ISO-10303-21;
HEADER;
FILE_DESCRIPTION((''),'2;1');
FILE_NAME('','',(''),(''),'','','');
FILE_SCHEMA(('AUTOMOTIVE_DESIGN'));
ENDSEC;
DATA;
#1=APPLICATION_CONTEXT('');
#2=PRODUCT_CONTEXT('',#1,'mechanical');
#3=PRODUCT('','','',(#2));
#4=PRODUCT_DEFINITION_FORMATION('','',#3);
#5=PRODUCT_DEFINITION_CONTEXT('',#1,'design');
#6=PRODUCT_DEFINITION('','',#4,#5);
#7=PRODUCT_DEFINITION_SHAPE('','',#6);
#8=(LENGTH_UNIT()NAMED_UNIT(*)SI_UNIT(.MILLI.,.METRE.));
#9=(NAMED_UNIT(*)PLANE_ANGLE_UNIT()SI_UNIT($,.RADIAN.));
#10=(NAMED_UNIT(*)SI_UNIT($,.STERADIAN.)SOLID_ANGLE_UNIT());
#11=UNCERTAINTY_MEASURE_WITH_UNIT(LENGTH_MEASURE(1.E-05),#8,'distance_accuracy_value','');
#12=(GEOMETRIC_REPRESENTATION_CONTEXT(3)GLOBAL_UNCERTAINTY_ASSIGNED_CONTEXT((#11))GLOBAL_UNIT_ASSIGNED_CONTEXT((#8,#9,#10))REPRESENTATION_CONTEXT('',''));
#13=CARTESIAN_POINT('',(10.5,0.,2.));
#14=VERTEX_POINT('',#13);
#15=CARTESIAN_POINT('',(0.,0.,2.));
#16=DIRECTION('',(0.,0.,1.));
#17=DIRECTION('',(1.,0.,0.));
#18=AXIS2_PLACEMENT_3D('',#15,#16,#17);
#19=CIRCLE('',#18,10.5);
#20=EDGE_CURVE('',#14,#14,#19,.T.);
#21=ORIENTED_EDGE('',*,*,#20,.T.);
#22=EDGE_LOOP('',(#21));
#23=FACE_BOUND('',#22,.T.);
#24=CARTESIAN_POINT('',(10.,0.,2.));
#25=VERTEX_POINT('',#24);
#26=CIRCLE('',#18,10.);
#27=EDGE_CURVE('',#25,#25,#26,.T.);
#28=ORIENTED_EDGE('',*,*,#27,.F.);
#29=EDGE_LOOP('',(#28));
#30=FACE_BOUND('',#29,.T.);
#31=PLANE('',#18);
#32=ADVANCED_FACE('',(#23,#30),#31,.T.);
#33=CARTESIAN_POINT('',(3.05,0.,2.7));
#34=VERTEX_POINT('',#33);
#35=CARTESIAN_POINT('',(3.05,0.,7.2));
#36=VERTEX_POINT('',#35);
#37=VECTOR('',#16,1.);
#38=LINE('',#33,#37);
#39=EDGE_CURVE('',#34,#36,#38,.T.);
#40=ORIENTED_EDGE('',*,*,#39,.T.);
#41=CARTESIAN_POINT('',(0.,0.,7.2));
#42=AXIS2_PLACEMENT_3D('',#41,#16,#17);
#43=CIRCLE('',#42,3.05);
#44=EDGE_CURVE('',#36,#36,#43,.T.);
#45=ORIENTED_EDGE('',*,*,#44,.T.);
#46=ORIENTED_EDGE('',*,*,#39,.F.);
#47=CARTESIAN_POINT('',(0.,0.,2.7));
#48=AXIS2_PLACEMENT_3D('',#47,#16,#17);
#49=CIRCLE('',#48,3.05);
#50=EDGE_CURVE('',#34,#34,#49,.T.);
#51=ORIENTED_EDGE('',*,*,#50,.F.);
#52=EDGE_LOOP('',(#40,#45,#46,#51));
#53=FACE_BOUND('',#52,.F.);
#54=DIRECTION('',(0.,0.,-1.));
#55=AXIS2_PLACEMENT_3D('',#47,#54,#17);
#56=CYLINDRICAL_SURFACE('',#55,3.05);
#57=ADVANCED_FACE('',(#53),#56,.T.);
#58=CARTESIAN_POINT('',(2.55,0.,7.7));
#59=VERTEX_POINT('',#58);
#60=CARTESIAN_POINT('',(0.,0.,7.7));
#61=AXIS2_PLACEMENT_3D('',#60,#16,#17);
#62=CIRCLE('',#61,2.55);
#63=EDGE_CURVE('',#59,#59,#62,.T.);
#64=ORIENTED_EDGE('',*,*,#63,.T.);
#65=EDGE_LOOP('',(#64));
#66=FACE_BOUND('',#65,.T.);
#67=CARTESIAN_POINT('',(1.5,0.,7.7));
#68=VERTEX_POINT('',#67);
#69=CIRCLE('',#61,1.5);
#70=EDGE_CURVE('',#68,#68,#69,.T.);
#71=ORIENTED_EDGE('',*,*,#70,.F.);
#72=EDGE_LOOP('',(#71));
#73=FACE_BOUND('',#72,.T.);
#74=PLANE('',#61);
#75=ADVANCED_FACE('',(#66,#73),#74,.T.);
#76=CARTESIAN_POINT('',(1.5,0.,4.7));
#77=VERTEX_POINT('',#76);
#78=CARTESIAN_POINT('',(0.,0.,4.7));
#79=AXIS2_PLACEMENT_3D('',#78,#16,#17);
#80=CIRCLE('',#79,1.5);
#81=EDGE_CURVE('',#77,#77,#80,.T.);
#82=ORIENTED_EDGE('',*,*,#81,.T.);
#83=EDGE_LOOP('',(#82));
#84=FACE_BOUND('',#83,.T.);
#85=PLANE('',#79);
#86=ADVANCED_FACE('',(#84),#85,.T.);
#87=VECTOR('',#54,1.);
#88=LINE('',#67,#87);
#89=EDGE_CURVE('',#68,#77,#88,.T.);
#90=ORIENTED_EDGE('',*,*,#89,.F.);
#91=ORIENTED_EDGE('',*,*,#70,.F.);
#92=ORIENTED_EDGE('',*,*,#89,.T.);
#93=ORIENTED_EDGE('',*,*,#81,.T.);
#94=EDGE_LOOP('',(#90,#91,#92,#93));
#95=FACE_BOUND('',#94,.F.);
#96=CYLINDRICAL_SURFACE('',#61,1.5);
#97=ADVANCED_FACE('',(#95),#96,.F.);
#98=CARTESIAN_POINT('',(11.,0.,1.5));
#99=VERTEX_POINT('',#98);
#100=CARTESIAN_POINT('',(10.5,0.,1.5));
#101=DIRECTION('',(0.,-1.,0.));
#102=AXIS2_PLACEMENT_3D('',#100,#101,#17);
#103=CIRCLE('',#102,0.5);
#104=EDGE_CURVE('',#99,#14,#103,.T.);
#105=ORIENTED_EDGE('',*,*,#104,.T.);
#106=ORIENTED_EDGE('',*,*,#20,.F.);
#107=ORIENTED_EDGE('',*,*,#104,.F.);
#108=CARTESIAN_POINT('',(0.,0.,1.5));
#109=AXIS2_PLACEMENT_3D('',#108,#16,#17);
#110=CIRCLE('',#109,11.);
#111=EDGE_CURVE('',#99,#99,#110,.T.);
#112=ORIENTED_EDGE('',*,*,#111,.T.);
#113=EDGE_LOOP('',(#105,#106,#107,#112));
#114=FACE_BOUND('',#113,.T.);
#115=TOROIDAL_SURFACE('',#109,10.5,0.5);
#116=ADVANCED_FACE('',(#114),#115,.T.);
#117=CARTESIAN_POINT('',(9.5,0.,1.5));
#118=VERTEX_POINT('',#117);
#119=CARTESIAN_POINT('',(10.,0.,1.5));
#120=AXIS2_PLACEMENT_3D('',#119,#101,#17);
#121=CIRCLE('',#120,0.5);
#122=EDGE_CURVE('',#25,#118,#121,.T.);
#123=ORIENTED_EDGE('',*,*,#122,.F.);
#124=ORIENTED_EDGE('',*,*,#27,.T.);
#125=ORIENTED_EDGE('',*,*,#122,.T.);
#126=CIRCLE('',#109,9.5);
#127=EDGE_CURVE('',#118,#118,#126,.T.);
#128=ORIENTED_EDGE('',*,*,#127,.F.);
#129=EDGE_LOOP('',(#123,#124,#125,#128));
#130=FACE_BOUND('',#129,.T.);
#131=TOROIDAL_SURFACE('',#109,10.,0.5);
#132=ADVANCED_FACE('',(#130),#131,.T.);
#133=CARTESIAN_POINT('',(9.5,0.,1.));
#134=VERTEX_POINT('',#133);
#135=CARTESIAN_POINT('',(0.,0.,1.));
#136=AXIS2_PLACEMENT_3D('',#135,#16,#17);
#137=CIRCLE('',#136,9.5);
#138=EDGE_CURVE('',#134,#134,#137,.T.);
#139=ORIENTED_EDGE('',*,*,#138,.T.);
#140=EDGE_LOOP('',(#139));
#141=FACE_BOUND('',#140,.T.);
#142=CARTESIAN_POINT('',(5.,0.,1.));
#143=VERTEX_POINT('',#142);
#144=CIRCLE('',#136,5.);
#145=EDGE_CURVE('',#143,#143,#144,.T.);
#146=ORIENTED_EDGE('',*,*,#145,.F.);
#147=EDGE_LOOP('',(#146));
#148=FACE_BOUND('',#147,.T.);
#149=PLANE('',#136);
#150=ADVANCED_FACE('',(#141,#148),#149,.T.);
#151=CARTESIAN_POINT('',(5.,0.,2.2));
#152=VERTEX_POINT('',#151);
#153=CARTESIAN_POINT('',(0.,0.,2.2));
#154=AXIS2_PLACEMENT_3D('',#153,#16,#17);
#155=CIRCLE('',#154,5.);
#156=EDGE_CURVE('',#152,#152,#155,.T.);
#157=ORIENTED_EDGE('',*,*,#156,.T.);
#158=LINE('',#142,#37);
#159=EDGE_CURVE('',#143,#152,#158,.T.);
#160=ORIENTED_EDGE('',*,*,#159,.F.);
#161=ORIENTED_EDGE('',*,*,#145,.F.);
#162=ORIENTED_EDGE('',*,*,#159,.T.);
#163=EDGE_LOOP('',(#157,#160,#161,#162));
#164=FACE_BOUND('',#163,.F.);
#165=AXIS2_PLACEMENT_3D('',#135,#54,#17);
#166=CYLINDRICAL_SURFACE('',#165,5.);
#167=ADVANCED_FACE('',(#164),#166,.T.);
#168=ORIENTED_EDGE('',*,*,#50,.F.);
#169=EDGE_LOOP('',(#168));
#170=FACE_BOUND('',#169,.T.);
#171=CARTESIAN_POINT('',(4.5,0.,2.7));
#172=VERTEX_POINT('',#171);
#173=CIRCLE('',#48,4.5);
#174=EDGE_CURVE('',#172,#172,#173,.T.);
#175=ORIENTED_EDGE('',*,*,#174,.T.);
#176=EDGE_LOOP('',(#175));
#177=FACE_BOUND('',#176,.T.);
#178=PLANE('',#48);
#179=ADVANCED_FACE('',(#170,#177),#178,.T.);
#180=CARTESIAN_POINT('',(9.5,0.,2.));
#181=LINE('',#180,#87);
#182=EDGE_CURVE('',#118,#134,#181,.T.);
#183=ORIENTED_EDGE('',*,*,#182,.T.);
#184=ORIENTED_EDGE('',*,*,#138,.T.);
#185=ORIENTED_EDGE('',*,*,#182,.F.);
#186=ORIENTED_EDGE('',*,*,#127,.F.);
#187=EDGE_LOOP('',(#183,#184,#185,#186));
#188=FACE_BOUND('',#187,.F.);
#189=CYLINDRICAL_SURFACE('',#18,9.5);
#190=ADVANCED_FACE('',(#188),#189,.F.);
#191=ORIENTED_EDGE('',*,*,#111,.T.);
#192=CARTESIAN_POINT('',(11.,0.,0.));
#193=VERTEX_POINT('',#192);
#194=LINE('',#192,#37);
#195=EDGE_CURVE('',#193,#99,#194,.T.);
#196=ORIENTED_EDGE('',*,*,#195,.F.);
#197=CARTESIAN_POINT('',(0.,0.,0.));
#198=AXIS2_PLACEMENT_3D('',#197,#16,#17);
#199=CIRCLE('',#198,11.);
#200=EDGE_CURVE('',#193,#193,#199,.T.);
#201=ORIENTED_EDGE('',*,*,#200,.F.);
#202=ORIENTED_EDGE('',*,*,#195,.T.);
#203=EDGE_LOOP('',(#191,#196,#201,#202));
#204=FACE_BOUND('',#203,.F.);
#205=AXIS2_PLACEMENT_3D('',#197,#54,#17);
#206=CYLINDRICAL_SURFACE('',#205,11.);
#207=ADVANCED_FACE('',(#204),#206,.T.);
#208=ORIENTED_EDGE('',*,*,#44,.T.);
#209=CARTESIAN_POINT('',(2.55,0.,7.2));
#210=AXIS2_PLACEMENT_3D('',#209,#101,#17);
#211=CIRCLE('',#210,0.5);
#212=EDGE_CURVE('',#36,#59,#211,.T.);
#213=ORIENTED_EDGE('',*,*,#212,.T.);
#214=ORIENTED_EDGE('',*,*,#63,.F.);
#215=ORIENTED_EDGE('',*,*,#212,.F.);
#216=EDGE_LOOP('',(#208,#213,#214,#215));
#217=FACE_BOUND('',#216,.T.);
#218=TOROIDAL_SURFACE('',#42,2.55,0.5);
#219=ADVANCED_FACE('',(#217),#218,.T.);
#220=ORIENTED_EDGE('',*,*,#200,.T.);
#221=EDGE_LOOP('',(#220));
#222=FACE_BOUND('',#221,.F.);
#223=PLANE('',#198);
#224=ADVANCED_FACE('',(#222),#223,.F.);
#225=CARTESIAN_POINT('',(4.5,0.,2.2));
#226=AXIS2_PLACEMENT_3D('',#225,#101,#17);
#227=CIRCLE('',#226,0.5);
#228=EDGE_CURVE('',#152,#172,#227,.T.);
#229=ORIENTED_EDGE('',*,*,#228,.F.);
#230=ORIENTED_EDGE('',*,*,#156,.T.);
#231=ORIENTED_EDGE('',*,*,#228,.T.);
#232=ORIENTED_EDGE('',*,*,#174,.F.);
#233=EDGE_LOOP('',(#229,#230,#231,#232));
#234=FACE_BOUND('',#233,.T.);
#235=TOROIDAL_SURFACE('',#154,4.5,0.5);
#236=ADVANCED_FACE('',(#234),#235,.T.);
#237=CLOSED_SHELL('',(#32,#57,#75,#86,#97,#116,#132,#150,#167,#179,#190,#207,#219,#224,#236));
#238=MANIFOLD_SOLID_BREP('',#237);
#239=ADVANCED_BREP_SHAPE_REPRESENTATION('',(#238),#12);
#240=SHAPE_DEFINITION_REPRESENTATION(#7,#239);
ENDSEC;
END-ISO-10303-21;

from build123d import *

# Parameters (mm, degrees)
F0_R     = 11
F1_DEPTH = 2
F2_R     = 9.5
F3_DEPTH = 1
F4_R     = 5
F5_DEPTH = 1.7
F6_R     = 3.05
F7_DEPTH = 5
F8_R     = 1.5
F9_DEPTH = 3
F10_R    = 0.5


with BuildPart() as f1:
    # F0 (on Top) → F1 (new body)
    with BuildSketch(Plane.XY):
        Circle(F0_R)
    extrude(amount=F1_DEPTH)

    # F2 (on face) → F3 (cut)
    with BuildSketch(Plane.XY.offset(2)):
        Circle(F2_R)
    extrude(amount=-F3_DEPTH, mode=Mode.SUBTRACT)

    # F4 (on face) → F5 (join)
    with BuildSketch(Plane.XY.offset(1)):
        Circle(F4_R)
    extrude(amount=F5_DEPTH)

    # F6 (on face) → F7 (join)
    with BuildSketch(Plane.XY.offset(2.7)):
        Circle(F6_R)
    extrude(amount=F7_DEPTH)

    # F8 (on face) → F9 (cut)
    with BuildSketch(Plane.XY.offset(7.7)):
        Circle(F8_R)
    extrude(amount=-F9_DEPTH, mode=Mode.SUBTRACT)

    # F10
    f10_edges = [f1.edges().sort_by_distance(p)[0] for p in [
        (-9.5, 0, 2),
        (-11, 0, 2),
        (-3.05, 0, 7.7),
        (-5, 0, 2.7),
    ]]
    fillet(f10_edges, radius=F10_R)


solid = f1.part
